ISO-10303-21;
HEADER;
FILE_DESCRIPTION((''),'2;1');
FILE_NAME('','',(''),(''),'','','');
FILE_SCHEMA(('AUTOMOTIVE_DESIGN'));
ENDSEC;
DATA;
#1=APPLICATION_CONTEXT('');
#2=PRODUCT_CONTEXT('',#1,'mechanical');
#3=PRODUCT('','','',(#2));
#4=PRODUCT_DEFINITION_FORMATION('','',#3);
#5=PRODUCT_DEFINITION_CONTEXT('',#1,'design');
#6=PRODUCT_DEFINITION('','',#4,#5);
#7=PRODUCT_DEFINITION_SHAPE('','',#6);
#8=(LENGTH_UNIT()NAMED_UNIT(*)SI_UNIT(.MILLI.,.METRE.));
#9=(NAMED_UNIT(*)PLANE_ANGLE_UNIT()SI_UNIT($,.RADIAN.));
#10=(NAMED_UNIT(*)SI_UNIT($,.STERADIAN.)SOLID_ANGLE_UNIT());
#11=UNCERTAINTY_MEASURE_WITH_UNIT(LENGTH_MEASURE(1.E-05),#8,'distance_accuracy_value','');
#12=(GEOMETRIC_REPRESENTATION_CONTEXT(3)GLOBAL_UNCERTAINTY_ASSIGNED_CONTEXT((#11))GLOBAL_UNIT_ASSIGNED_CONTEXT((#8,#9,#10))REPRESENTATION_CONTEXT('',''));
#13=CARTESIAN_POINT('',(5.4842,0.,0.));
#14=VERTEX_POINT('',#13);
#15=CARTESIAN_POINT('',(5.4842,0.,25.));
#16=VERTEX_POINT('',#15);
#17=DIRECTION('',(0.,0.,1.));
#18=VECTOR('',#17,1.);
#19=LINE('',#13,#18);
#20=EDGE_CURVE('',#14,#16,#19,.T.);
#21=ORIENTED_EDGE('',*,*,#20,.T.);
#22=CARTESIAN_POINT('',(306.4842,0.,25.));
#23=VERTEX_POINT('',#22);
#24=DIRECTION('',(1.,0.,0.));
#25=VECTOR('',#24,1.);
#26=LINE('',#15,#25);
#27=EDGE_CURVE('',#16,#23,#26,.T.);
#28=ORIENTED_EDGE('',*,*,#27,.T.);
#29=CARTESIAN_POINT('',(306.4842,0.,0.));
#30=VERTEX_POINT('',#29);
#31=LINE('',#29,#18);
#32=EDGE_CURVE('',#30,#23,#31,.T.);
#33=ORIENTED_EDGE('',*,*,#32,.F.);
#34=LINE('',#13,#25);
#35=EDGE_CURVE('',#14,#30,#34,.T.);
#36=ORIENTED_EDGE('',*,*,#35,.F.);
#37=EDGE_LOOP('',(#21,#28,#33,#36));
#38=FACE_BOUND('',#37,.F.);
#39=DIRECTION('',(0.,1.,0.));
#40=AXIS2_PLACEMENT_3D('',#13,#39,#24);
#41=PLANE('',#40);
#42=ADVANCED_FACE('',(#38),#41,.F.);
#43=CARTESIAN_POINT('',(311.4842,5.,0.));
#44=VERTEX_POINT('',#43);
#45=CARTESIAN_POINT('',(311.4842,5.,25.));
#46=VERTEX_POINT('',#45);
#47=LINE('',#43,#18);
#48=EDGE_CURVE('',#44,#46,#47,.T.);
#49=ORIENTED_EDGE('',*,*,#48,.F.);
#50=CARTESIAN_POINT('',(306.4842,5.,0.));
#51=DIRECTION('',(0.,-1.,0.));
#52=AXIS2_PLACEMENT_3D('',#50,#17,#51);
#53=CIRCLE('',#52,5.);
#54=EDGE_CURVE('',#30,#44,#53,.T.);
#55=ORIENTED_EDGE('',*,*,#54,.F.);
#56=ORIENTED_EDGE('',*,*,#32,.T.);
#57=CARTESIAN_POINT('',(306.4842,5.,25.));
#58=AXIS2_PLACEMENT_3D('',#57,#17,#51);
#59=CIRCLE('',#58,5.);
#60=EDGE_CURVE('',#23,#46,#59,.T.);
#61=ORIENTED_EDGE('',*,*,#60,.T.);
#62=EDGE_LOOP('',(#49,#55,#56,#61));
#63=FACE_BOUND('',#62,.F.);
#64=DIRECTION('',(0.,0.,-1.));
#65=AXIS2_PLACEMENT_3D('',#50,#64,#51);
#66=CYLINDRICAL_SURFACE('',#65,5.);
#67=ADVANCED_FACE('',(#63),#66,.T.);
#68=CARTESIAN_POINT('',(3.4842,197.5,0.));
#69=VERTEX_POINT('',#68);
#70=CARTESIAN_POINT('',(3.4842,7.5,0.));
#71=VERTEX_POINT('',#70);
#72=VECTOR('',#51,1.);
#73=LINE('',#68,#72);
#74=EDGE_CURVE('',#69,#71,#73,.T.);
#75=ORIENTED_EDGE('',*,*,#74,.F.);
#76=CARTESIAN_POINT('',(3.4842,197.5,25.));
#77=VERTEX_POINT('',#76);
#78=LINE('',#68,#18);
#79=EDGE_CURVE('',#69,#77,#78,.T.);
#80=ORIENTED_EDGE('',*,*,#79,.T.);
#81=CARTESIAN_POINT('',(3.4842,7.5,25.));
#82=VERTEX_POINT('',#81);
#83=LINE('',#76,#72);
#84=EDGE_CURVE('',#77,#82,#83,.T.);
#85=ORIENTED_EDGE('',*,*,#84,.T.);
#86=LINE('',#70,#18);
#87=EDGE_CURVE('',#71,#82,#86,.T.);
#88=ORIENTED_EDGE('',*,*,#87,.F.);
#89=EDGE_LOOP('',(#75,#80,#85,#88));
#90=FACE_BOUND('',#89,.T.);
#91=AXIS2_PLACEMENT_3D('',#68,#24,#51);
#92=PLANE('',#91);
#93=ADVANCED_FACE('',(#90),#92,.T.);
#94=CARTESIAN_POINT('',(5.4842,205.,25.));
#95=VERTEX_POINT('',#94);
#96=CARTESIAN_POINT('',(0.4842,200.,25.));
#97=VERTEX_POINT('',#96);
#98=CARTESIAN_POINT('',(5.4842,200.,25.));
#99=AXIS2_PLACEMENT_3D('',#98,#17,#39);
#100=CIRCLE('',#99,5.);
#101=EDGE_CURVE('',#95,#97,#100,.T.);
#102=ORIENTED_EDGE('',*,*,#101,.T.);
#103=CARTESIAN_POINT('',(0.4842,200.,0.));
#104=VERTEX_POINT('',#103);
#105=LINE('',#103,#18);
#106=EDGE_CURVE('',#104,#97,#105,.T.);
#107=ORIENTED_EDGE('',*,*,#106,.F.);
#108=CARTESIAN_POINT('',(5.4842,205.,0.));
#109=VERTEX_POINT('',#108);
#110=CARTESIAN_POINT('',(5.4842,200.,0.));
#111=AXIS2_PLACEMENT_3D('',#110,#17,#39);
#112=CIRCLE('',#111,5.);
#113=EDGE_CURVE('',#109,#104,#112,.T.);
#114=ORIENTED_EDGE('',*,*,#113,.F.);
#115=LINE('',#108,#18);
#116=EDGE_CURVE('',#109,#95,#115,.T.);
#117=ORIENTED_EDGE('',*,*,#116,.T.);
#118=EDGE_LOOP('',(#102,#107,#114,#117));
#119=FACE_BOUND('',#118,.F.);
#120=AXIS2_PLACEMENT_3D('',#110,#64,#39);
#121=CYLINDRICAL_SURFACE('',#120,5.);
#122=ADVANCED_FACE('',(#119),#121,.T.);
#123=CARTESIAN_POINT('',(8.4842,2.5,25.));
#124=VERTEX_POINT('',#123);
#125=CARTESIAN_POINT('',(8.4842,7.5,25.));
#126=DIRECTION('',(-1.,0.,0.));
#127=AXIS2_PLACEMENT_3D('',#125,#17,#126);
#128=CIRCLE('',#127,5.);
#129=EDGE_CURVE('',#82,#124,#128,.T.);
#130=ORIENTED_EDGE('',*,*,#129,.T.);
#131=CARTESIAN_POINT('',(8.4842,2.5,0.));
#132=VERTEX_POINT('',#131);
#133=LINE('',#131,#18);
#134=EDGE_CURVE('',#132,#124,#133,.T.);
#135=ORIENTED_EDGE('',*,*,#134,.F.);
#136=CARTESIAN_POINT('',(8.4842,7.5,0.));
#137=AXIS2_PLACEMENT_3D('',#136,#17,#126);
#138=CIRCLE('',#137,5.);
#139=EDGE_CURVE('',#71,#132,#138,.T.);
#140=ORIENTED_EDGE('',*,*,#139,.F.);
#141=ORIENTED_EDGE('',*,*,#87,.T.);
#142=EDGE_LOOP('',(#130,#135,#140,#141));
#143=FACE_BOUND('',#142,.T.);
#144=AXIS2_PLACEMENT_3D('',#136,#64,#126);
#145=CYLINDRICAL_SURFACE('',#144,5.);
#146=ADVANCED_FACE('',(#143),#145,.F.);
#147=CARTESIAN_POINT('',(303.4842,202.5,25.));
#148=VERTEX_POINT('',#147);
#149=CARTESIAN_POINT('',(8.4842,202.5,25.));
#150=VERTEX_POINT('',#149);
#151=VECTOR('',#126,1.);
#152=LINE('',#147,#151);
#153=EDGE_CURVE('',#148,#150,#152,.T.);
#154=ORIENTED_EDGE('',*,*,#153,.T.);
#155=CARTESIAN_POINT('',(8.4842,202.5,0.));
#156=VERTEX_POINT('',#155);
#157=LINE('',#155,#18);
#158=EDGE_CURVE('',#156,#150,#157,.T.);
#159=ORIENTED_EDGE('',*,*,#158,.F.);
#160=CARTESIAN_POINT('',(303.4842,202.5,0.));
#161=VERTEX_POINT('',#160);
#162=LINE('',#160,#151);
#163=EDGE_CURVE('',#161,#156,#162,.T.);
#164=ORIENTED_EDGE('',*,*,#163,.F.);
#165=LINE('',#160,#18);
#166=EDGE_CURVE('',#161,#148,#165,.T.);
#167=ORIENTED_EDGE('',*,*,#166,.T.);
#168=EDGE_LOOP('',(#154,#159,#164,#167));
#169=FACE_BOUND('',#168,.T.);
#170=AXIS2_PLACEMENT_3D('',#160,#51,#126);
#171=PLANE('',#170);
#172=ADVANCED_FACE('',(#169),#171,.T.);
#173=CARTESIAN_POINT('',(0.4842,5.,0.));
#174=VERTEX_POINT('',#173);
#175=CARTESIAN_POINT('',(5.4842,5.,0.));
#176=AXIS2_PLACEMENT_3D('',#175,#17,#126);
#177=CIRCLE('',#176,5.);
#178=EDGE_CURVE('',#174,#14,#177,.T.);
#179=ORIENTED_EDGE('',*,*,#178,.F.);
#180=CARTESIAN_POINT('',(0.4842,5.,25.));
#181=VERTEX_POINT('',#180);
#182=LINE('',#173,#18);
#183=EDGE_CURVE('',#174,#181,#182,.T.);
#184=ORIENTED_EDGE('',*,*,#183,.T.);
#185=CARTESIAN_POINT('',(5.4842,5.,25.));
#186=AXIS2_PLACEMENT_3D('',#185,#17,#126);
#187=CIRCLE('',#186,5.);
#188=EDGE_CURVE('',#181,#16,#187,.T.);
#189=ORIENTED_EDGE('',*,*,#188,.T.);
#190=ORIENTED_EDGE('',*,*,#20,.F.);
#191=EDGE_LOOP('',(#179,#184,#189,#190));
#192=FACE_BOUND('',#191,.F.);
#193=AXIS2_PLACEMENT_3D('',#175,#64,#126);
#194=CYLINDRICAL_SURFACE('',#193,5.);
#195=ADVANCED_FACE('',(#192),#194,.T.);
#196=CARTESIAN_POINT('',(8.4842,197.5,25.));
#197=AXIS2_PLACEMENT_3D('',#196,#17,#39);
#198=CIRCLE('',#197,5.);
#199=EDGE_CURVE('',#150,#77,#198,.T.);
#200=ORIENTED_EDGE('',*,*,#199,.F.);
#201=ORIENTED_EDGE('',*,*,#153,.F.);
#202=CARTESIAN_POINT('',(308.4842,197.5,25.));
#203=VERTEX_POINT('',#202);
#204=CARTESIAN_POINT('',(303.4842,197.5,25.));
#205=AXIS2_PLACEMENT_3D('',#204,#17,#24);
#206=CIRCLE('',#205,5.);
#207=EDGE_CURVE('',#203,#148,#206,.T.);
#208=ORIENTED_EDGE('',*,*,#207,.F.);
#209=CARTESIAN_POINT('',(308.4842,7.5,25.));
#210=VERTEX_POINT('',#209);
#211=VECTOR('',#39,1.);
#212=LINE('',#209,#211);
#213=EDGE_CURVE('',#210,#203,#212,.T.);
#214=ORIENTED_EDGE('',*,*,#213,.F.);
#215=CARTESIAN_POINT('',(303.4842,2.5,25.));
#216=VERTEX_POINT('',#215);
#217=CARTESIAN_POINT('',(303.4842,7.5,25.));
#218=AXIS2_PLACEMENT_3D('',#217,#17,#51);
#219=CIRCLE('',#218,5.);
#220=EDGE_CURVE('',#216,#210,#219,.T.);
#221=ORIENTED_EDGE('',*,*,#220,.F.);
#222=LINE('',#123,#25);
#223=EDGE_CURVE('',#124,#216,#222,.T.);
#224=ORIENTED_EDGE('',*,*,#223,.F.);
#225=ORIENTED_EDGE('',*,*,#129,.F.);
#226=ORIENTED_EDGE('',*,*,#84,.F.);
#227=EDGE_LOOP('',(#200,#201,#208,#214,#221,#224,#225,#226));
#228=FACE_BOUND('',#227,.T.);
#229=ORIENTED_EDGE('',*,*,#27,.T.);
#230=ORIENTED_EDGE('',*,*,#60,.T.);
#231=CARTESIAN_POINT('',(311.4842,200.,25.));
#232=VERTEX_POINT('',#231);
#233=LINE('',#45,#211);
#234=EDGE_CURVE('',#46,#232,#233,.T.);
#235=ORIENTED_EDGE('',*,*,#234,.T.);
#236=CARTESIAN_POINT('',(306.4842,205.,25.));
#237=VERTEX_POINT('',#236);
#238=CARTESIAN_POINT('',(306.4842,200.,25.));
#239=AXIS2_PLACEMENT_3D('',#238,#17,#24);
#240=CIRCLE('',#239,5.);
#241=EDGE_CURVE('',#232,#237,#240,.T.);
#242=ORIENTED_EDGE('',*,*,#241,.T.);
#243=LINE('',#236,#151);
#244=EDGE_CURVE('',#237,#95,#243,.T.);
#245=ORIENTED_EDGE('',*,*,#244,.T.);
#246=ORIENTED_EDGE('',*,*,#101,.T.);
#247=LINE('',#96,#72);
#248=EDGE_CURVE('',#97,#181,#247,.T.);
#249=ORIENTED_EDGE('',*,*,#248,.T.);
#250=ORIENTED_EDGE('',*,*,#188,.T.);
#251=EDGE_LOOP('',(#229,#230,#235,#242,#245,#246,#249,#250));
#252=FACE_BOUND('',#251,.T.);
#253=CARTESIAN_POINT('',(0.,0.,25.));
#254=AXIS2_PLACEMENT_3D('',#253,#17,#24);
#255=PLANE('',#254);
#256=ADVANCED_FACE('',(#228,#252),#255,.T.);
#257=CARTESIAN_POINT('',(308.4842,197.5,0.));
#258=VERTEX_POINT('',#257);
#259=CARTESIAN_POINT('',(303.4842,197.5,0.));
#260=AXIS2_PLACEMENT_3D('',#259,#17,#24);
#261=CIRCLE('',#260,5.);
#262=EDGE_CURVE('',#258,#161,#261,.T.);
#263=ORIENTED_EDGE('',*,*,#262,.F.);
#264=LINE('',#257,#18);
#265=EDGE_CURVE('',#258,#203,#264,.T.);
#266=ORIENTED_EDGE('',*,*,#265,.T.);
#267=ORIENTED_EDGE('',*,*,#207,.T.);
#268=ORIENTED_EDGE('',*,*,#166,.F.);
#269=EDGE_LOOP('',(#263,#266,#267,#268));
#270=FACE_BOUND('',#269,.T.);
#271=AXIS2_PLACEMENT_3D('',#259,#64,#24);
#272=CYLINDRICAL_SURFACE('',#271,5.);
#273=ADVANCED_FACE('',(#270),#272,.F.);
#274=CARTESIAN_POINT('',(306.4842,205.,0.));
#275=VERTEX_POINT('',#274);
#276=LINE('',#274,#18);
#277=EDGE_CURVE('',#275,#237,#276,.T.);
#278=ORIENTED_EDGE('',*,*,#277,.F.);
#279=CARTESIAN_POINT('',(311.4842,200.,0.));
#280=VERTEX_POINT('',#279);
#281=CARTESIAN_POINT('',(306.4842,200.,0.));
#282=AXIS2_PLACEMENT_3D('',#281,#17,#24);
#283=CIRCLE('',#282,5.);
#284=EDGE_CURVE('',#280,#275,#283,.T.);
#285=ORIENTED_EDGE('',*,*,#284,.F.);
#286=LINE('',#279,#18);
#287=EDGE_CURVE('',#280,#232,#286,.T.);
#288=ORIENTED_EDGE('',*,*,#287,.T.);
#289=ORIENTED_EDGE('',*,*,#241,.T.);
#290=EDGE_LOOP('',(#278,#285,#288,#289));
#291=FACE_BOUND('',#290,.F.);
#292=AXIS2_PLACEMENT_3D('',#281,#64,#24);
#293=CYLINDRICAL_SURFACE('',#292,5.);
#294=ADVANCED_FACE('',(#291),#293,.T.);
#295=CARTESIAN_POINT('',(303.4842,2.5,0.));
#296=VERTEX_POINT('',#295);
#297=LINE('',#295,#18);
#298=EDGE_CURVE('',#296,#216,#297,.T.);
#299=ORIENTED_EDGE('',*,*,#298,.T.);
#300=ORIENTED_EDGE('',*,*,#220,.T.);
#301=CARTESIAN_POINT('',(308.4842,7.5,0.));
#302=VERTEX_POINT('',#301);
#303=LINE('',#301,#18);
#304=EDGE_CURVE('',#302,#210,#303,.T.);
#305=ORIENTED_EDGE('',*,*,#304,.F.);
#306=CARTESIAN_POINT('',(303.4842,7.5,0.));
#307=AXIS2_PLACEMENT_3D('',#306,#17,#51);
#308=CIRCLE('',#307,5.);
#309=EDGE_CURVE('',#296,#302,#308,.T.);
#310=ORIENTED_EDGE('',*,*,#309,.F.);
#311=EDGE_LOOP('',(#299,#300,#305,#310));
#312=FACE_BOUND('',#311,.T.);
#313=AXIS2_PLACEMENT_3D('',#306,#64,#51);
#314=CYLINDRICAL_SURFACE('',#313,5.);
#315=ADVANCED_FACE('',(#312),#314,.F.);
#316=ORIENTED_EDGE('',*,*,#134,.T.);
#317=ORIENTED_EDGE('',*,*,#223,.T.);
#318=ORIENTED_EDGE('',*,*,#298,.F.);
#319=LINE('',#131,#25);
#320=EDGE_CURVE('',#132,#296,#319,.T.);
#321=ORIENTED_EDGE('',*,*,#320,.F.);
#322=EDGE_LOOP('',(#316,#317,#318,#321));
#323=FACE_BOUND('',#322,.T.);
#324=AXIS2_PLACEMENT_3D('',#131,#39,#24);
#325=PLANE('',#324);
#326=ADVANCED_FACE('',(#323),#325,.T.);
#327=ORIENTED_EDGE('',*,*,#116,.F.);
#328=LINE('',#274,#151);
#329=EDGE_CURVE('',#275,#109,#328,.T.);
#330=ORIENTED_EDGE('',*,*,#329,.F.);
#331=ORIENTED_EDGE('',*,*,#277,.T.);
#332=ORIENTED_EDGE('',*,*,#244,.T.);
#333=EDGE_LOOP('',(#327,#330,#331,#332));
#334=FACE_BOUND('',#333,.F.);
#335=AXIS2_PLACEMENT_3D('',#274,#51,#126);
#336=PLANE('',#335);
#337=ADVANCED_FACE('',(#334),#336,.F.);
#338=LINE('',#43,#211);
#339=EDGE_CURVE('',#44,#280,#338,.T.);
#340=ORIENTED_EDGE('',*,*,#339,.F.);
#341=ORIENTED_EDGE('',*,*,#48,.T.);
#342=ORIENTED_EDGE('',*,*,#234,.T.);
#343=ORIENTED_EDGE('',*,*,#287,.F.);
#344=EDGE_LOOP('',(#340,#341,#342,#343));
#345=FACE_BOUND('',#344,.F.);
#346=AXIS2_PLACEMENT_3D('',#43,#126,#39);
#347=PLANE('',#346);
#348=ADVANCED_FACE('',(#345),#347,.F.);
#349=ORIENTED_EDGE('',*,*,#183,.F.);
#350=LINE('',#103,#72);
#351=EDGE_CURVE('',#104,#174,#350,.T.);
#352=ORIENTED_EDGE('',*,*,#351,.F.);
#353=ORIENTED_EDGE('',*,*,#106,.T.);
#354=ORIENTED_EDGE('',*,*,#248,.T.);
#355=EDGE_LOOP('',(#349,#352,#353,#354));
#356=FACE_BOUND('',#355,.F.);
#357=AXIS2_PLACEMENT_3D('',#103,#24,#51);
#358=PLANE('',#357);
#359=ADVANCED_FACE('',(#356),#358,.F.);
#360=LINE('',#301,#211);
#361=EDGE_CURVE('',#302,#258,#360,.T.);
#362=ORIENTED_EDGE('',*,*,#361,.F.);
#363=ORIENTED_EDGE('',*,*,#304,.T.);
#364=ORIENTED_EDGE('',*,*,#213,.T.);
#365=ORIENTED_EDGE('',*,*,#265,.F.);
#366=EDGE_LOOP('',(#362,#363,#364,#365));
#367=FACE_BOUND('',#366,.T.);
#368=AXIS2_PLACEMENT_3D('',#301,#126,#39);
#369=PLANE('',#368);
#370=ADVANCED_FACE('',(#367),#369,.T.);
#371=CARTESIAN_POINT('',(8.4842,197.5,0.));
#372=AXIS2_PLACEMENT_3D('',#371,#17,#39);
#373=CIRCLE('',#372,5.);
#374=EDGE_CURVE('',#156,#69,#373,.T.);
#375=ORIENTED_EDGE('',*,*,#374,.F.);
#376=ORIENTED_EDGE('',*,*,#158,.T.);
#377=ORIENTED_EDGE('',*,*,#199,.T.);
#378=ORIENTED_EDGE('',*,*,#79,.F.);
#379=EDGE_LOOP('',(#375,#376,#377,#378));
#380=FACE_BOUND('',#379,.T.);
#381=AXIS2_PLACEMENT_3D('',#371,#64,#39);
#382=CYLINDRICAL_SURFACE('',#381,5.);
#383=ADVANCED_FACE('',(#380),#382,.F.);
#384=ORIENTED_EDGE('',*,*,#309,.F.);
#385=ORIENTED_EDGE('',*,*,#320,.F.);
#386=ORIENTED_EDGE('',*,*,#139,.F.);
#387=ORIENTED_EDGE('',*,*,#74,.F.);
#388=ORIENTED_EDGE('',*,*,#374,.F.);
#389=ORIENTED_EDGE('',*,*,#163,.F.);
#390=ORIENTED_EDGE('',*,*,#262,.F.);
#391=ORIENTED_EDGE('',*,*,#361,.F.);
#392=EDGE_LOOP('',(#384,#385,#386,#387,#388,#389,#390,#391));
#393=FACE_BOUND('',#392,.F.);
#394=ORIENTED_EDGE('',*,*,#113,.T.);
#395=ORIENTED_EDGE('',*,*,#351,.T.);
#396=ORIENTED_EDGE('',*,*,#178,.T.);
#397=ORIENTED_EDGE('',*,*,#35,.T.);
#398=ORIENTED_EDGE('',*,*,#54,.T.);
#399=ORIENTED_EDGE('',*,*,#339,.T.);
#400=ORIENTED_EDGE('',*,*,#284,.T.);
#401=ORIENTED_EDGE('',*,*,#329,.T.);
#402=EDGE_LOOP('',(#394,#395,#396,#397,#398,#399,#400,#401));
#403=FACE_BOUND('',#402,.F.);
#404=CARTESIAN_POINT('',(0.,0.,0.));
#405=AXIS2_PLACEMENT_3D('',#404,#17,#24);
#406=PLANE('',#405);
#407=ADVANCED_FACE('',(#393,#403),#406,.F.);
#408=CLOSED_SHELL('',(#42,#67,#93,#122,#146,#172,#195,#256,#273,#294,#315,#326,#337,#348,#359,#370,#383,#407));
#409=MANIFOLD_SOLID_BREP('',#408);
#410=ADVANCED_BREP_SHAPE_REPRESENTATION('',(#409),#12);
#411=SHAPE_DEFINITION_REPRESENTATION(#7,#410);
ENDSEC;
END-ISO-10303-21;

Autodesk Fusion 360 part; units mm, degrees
sketch "Sketch1" plane through (0, 0, 0) normal (0, 0, 1) x (1, 0, 0)
  line L0 (5.4842, 0) -> (306.4842, 0)
  line L1 (311.4842, 5) -> (311.4842, 200)
  line L2 (306.4842, 205) -> (5.4842, 205)
  line L3 (0.4842, 200) -> (0.4842, 5)
  line L4 (8.4842, 2.5) -> (303.4842, 2.5)
  line L5 (308.4842, 7.5) -> (308.4842, 197.5)
  line L6 (303.4842, 202.5) -> (8.4842, 202.5)
  line L7 (3.4842, 197.5) -> (3.4842, 7.5)
  arc A0 (8.4842, 202.5) -> (3.4842, 197.5) centre (8.4842, 197.5) ccw
  arc A1 (5.4842, 205) -> (0.4842, 200) centre (5.4842, 200) ccw
  arc A2 (308.4842, 197.5) -> (303.4842, 202.5) centre (303.4842, 197.5) ccw
  arc A3 (311.4842, 200) -> (306.4842, 205) centre (306.4842, 200) ccw
  arc A4 (3.4842, 7.5) -> (8.4842, 2.5) centre (8.4842, 7.5) ccw
  arc A5 (0.4842, 5) -> (5.4842, 0) centre (5.4842, 5) ccw
  arc A6 (303.4842, 2.5) -> (308.4842, 7.5) centre (303.4842, 7.5) ccw
  arc A7 (306.4842, 0) -> (311.4842, 5) centre (306.4842, 5) ccw
  point P0 (0.4842, 0)
  point P1 (311.4842, 0)
  point P2 (3.4842, 2.5)
  point P3 (308.4842, 2.5)
  dimension "d1" = 311
  dimension "d2" = 205
  dimension "d3" = 305
  dimension "d4" = 200
  dimension "d5" = 2.5
  dimension "d6" = 2.5
  dimension "d7" = 3
  dimension "d8" = 3
  dimension "d9" = 5
  dimension "d10" = 5
  dimension "d11" = 5
  dimension "d12" = 5
  dimension "d13" = 5
  dimension "d14" = 5
  dimension "d15" = 5
  dimension "d16" = 5
extrude "Extrude1" add sketch "Sketch1" along normal blind 25
